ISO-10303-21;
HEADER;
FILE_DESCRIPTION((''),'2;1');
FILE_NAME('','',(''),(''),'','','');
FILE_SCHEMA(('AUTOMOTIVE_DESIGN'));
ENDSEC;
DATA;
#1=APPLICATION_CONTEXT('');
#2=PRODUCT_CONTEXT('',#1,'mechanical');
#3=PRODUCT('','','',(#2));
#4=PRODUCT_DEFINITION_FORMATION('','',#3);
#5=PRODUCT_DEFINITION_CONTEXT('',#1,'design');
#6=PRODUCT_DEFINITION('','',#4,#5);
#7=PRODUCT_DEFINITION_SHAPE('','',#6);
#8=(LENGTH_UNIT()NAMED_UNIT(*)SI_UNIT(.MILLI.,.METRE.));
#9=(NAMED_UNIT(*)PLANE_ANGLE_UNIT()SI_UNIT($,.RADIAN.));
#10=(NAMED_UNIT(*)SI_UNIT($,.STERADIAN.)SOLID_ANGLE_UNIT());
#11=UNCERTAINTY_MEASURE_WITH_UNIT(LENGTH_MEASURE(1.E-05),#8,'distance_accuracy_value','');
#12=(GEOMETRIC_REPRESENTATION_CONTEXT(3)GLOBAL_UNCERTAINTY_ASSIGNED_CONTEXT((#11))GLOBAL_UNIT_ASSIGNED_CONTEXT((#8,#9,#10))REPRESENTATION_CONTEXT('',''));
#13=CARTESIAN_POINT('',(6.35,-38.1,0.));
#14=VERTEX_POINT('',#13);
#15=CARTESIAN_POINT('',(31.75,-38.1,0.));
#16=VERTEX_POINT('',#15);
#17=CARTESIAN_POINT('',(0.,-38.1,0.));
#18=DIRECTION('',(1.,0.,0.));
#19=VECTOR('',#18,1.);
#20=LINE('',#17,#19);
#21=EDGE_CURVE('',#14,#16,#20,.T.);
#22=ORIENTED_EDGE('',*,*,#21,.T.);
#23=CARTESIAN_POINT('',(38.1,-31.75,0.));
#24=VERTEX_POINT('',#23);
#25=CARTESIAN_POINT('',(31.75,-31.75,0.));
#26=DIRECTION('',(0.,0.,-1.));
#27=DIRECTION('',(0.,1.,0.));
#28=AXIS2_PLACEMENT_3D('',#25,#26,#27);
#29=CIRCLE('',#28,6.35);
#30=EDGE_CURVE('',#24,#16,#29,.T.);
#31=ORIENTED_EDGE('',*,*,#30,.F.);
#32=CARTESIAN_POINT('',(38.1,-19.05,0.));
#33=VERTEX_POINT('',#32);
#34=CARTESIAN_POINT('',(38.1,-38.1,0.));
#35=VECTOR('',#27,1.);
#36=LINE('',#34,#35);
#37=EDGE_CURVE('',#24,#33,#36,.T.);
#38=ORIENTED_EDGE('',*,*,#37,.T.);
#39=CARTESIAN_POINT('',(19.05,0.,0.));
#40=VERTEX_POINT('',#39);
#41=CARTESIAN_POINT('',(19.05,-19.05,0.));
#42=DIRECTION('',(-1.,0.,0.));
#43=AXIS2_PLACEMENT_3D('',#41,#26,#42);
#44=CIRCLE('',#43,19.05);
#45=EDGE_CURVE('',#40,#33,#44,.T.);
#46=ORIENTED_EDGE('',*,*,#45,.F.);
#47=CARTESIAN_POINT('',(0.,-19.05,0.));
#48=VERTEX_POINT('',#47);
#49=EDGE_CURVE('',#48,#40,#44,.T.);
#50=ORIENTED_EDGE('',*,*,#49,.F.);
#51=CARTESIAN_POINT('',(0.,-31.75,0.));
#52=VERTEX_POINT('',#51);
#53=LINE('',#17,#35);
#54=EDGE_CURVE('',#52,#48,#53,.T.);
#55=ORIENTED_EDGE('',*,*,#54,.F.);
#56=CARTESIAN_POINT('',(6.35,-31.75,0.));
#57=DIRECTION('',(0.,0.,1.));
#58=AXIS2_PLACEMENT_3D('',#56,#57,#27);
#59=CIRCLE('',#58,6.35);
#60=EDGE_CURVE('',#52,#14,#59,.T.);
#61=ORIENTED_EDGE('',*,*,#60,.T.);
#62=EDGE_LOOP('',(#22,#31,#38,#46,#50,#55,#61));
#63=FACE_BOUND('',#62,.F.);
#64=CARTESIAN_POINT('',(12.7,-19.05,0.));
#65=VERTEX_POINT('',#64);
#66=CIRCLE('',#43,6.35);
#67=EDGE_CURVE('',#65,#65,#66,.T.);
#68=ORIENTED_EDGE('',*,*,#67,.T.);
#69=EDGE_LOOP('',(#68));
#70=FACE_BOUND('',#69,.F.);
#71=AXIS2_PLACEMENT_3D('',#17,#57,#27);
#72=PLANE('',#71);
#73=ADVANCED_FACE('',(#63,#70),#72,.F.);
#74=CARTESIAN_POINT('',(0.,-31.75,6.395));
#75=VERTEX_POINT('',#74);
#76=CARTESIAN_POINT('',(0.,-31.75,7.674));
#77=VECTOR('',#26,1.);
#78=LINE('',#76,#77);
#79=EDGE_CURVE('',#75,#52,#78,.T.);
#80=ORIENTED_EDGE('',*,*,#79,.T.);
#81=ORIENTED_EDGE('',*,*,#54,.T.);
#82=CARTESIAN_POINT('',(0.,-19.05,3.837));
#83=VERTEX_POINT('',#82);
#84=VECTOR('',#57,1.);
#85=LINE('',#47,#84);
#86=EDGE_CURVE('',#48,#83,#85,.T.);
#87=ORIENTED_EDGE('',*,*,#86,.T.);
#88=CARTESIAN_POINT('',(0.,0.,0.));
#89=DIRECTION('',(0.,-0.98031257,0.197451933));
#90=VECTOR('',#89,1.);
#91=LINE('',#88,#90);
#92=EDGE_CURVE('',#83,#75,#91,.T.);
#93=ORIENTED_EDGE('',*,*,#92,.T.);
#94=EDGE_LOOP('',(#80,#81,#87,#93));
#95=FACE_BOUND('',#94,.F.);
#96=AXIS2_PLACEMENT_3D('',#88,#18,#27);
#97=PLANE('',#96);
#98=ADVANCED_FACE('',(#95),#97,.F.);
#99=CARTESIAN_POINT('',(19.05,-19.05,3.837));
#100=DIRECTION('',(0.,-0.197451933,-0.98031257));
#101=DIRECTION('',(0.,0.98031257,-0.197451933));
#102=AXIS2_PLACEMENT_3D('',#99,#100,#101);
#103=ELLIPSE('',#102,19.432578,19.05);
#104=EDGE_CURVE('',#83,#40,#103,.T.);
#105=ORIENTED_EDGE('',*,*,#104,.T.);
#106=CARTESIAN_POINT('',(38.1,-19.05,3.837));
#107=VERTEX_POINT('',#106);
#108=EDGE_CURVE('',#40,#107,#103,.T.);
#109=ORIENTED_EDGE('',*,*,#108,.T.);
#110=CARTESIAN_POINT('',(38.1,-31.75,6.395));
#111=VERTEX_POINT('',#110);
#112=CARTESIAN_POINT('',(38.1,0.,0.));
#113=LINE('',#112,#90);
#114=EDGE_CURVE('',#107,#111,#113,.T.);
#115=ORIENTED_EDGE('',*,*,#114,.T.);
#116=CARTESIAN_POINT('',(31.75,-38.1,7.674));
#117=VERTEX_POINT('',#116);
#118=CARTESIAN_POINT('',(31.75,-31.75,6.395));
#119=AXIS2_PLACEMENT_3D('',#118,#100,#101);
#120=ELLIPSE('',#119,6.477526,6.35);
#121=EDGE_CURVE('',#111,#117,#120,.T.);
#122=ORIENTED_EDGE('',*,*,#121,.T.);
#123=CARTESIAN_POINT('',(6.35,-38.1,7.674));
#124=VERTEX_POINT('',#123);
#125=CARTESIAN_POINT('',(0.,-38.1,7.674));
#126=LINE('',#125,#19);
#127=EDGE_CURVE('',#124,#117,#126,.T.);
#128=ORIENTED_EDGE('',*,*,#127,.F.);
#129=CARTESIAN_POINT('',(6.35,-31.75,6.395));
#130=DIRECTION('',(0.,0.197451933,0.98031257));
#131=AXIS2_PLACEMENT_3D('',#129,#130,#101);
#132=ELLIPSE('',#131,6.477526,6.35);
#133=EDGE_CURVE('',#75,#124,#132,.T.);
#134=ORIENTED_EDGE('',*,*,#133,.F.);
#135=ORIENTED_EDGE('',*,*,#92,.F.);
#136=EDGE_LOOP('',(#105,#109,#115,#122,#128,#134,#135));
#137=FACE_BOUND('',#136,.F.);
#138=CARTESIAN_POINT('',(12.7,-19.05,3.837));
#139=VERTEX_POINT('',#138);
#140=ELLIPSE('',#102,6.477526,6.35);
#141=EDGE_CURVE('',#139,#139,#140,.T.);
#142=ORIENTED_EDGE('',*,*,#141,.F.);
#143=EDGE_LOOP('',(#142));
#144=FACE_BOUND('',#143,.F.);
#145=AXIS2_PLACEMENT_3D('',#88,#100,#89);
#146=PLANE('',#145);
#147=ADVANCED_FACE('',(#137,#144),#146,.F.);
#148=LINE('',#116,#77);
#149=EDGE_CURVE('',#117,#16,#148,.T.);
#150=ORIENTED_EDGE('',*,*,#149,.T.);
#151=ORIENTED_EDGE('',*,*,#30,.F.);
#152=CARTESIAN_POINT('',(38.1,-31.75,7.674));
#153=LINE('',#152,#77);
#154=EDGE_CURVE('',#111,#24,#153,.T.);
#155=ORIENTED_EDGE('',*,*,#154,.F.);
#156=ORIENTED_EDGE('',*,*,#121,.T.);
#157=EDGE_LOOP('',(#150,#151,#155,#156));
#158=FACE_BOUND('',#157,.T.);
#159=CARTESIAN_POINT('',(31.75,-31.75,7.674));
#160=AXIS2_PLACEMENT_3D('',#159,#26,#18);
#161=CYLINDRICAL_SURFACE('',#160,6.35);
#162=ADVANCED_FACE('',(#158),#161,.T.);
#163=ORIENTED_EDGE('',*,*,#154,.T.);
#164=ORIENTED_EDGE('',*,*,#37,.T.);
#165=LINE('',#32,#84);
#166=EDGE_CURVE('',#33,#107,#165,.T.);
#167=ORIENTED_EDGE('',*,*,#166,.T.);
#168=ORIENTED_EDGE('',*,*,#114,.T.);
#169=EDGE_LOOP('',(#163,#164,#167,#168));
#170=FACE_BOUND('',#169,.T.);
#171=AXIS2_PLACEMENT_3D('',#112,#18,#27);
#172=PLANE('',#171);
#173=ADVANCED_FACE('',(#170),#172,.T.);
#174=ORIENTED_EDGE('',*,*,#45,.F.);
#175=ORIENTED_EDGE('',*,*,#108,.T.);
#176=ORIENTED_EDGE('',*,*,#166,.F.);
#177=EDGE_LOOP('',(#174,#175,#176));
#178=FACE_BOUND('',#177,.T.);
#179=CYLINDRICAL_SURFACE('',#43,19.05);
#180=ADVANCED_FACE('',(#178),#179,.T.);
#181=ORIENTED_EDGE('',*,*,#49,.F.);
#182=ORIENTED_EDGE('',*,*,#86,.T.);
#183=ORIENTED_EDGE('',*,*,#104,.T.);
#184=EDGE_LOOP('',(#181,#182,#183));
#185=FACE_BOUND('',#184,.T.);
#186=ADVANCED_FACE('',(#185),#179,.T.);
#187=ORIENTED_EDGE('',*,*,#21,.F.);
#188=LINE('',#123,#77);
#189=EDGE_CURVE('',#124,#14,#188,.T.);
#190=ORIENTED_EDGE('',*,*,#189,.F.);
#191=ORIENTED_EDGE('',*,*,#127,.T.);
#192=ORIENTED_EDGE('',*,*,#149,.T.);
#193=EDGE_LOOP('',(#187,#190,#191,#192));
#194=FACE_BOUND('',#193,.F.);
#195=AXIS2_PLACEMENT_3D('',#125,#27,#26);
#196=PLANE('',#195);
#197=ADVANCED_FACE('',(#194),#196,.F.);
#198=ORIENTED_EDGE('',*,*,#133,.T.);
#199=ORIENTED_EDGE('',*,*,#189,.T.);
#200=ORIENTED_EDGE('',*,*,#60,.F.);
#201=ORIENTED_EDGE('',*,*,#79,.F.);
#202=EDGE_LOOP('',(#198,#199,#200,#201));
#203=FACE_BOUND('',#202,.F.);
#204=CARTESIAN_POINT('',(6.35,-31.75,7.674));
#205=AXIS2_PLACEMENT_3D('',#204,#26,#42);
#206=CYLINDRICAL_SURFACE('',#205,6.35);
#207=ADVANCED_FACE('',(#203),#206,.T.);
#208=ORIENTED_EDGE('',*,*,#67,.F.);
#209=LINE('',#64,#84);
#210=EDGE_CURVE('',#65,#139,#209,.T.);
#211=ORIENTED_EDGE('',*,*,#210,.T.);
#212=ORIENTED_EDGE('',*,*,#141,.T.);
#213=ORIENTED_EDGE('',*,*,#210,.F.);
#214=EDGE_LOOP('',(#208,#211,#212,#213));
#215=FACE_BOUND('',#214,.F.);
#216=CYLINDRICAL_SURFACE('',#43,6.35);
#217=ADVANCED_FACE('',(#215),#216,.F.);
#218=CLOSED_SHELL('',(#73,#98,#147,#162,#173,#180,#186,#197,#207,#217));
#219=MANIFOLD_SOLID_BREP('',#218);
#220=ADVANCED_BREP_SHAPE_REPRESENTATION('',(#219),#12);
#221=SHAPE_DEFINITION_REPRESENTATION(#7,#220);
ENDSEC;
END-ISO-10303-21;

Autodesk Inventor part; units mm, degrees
ref_plane "YZ Plane" through (0, 0, 0) normal (1, 0, 0) x (0, 1, 0)
ref_plane "XZ Plane" through (0, 0, 0) normal (0, 1, 0) x (-1, 0, 0)
ref_plane "XY Plane" through (0, 0, 0) normal (0, 0, 1) x (1, 0, 0)
sketch "Sketch1" plane through (0, 0, 0) normal (1, 0, 0) x (0, 1, 0)
  line L0 (0, 0) -> (-38.1, 7.674)
  line L1 (-38.1, 7.674) -> (-38.1, 0)
  line L2 (-38.1, 0) -> (0, 0)
  dimension "d0" = 38.1
  dimension "d1" = 11.388
extrude "Extrusion1" add sketch "Sketch1" along normal blind 38.1
sketch "Sketch2" plane through (0, -38.1, 0) normal (0, 0, -1) x (-1, 0, 0)
  circle A0 centre (-19.05, 19.05) radius 19.05
  line L0 (0, 38.1) -> (-38.1, 38.1) projected
  line L1 (0, 0) -> (0, 38.1) projected
  line L2 (-38.1, 0) -> (-38.1, 38.1) projected
  circle A1 centre (-19.05, 19.05) radius 6.35
  point P0 (-38.1, 19.05)
  point P1 (-19.05, 38.1)
  point P2 (0, 19.05)
  dimension "d4" = 12.7
extrude "Extrusion2" cut sketch "Sketch2" against normal through all contours A0 L0 L1 | A0 L2 L0 | A1
fillet "Fillet1" radius 6.35 2 edges at (38.1, -38.1, 3.837) (0, -38.1, 3.837)
properties part number "TRI_SPACER_TOP_TREBUCHET" material "Wood (Birch)"
